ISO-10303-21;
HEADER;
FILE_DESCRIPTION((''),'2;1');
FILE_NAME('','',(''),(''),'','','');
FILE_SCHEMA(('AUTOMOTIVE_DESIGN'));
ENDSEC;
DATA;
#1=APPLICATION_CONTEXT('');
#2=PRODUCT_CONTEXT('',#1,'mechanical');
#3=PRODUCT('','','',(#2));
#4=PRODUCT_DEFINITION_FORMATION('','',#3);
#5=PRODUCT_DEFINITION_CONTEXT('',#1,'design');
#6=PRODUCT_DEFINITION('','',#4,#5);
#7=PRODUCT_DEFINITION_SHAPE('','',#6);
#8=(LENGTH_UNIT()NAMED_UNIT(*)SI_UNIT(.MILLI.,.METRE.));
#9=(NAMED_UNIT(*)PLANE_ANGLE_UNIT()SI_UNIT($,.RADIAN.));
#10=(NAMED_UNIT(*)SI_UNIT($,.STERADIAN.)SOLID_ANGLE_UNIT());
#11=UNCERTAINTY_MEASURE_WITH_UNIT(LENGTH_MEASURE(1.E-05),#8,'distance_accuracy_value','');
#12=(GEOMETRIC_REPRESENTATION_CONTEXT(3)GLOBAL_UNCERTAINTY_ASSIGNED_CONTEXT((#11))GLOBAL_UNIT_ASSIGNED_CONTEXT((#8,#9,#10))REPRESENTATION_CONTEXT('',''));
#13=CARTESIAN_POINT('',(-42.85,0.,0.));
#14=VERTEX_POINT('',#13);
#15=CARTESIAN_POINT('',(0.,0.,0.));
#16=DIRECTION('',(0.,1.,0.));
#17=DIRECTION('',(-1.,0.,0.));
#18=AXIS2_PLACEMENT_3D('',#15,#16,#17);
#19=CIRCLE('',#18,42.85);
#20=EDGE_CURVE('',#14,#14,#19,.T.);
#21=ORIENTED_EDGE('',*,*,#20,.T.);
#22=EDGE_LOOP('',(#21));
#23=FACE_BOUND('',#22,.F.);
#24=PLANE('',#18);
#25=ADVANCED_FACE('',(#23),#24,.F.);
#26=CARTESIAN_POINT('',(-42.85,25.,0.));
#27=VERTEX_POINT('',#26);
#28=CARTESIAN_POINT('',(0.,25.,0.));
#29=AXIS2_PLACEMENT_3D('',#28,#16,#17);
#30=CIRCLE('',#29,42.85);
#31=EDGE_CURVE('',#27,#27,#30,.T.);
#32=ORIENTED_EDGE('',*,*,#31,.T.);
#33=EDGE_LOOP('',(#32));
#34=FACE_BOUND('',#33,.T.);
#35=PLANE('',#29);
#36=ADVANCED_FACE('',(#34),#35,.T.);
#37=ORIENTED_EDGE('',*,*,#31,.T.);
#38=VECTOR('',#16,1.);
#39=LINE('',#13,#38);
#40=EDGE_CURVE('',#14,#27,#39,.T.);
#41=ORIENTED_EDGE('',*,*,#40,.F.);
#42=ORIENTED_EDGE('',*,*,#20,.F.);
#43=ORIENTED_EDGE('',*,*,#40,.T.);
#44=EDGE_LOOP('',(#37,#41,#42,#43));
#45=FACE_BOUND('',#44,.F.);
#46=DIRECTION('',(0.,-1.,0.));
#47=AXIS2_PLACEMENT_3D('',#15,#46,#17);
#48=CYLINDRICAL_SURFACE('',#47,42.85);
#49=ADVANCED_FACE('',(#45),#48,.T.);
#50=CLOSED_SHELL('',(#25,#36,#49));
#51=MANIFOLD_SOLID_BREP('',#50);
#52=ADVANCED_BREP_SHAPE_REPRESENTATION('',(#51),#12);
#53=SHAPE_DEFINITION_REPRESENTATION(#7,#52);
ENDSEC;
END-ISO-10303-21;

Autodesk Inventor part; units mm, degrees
ref_plane "YZ Plane" through (0, 0, 0) normal (1, 0, 0) x (0, 1, 0)
ref_plane "XZ Plane" through (0, 0, 0) normal (0, 1, 0) x (-1, 0, 0)
ref_plane "XY Plane" through (0, 0, 0) normal (0, 0, 1) x (1, 0, 0)
sketch "Sketch1" plane through (0, 0, 0) normal (0, 1, 0) x (-1, 0, 0)
  circle A0 centre (0, 0) radius 42.85
  dimension "d0" = 85.7
  dimension "d0" = 85.7
extrude "Extrusion1" add sketch "Sketch1" along normal blind 25
